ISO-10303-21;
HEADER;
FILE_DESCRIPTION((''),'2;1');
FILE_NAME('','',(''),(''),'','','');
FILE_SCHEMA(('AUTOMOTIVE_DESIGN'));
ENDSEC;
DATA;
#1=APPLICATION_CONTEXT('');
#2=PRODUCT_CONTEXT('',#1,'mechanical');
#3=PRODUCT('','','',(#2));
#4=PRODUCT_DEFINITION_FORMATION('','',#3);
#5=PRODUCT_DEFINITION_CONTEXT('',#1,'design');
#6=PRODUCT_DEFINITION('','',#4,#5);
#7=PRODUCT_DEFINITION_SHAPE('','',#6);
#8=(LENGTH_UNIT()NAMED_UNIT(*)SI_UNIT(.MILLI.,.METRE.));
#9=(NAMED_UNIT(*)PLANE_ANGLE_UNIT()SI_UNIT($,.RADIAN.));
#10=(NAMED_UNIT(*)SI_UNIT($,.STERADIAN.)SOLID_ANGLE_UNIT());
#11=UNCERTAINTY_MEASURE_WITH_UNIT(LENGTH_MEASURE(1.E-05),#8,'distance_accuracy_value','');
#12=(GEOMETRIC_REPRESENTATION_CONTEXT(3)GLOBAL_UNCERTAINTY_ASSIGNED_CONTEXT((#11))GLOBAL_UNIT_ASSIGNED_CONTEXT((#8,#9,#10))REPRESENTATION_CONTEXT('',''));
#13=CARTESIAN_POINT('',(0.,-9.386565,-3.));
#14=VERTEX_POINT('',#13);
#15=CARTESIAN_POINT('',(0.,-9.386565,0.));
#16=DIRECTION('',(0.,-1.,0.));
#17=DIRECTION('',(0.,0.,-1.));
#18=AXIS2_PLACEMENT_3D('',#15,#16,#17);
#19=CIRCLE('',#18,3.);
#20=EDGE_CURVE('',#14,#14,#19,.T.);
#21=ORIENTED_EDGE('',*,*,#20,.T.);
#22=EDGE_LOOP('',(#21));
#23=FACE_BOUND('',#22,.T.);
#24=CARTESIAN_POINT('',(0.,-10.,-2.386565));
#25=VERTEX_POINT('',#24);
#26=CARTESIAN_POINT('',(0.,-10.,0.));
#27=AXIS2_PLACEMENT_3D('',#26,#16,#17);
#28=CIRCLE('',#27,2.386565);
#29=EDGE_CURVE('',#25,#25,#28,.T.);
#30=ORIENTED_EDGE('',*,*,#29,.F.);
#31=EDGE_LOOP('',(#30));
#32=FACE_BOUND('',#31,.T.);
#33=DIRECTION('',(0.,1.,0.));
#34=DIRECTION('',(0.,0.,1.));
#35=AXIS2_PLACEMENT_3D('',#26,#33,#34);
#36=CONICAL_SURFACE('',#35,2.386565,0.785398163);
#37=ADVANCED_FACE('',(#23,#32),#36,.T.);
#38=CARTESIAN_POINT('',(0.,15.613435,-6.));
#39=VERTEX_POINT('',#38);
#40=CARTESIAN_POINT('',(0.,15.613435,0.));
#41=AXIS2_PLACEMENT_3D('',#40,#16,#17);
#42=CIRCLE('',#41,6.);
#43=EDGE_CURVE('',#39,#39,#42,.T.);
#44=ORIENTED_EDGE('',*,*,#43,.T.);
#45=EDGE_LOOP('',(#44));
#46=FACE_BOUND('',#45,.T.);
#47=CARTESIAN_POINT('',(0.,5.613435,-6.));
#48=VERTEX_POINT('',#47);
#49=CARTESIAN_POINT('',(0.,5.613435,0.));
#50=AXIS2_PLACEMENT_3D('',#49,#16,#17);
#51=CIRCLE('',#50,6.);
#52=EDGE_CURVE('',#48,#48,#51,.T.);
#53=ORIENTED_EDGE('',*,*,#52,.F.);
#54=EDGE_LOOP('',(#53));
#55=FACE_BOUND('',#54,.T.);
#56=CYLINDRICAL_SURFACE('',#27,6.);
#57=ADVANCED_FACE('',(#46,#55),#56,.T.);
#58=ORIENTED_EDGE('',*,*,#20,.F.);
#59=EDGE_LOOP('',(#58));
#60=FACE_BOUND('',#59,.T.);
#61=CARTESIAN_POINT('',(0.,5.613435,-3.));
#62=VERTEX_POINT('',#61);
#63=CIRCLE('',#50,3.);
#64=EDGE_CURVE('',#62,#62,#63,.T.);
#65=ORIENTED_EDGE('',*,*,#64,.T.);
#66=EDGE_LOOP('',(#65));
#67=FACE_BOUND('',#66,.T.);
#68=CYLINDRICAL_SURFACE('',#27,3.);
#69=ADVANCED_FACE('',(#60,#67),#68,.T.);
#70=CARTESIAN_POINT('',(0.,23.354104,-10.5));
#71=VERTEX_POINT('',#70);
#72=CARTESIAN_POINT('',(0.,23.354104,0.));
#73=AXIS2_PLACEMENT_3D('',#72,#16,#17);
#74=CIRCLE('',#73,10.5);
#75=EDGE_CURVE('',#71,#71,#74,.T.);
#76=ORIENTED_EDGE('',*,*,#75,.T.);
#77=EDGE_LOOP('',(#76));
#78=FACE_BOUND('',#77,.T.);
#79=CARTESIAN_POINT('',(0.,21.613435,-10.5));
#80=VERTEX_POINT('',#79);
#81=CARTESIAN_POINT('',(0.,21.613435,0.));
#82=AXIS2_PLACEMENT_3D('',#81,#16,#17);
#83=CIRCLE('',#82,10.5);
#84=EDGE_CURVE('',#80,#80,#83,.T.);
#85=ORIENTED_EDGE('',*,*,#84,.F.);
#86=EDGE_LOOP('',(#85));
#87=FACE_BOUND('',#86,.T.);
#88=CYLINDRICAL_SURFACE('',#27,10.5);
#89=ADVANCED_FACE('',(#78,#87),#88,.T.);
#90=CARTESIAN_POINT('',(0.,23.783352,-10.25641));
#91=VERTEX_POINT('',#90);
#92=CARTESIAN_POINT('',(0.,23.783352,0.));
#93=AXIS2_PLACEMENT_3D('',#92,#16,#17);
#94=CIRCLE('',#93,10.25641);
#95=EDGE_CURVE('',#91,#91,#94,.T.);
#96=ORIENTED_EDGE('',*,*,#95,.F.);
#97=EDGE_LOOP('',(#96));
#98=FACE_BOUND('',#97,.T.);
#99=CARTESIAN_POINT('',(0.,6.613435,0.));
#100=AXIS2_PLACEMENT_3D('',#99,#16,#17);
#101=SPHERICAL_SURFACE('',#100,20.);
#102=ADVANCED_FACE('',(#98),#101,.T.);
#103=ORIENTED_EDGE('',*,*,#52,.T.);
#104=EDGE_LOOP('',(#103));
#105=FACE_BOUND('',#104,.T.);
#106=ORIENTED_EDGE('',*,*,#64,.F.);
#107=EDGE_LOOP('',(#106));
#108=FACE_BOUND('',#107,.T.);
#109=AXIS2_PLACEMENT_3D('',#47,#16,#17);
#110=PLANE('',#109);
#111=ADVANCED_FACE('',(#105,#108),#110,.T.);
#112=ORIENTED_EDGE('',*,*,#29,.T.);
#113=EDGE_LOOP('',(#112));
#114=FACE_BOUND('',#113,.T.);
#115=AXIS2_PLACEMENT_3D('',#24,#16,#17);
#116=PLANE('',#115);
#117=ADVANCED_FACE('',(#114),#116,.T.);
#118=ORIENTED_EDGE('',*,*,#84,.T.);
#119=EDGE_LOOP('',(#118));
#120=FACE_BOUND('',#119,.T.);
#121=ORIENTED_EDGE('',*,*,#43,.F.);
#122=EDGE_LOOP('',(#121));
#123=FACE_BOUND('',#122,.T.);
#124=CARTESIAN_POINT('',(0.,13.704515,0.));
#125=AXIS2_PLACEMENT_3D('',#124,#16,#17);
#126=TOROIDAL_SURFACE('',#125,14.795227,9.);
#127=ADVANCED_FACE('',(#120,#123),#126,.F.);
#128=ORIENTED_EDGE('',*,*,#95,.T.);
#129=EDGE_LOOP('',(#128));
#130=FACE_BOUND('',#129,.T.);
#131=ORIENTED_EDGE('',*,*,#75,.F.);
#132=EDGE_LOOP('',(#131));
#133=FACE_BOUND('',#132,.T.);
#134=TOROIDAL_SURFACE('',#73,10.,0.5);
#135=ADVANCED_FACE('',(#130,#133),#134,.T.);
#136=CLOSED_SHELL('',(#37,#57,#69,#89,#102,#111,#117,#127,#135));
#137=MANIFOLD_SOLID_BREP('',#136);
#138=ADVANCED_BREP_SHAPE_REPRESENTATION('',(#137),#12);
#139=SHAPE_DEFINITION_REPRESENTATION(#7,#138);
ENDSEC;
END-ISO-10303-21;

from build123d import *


with BuildPart() as part:
    # Esquisse1 → Révolution1 (revolve)
    with BuildSketch(Plane(origin=(0, 0, 0), x_dir=(0, 0, -1), z_dir=(1, 0, 0))):
        with BuildLine():
            Line((10.5, 23.354104043), (10.5, 21.613435))
            ThreePointArc((10.5, 21.613435), (7.595227269, 19.104514548), (6, 15.613435))
            Line((6, 15.613435), (6, 5.613435))
            Line((6, 5.613435), (3, 5.613435))
            Line((3, 5.613435), (3, -9.386565))
            Line((3, -9.386565), (2.386565, -10))
            Line((2.386565, -10), (0, -10))
            Line((0, -10), (0, 26.613435))
            ThreePointArc((0, 26.613435), (5.319852473, 25.892936282), (10.256410256, 23.783351967))
            ThreePointArc((10.256410256, 23.783351967), (10.434859246, 23.600878101), (10.5, 23.354104043))
        make_face()
    revolve(axis=Axis((0, -10, 0), (0, 1, 0)))


solid = part.part
